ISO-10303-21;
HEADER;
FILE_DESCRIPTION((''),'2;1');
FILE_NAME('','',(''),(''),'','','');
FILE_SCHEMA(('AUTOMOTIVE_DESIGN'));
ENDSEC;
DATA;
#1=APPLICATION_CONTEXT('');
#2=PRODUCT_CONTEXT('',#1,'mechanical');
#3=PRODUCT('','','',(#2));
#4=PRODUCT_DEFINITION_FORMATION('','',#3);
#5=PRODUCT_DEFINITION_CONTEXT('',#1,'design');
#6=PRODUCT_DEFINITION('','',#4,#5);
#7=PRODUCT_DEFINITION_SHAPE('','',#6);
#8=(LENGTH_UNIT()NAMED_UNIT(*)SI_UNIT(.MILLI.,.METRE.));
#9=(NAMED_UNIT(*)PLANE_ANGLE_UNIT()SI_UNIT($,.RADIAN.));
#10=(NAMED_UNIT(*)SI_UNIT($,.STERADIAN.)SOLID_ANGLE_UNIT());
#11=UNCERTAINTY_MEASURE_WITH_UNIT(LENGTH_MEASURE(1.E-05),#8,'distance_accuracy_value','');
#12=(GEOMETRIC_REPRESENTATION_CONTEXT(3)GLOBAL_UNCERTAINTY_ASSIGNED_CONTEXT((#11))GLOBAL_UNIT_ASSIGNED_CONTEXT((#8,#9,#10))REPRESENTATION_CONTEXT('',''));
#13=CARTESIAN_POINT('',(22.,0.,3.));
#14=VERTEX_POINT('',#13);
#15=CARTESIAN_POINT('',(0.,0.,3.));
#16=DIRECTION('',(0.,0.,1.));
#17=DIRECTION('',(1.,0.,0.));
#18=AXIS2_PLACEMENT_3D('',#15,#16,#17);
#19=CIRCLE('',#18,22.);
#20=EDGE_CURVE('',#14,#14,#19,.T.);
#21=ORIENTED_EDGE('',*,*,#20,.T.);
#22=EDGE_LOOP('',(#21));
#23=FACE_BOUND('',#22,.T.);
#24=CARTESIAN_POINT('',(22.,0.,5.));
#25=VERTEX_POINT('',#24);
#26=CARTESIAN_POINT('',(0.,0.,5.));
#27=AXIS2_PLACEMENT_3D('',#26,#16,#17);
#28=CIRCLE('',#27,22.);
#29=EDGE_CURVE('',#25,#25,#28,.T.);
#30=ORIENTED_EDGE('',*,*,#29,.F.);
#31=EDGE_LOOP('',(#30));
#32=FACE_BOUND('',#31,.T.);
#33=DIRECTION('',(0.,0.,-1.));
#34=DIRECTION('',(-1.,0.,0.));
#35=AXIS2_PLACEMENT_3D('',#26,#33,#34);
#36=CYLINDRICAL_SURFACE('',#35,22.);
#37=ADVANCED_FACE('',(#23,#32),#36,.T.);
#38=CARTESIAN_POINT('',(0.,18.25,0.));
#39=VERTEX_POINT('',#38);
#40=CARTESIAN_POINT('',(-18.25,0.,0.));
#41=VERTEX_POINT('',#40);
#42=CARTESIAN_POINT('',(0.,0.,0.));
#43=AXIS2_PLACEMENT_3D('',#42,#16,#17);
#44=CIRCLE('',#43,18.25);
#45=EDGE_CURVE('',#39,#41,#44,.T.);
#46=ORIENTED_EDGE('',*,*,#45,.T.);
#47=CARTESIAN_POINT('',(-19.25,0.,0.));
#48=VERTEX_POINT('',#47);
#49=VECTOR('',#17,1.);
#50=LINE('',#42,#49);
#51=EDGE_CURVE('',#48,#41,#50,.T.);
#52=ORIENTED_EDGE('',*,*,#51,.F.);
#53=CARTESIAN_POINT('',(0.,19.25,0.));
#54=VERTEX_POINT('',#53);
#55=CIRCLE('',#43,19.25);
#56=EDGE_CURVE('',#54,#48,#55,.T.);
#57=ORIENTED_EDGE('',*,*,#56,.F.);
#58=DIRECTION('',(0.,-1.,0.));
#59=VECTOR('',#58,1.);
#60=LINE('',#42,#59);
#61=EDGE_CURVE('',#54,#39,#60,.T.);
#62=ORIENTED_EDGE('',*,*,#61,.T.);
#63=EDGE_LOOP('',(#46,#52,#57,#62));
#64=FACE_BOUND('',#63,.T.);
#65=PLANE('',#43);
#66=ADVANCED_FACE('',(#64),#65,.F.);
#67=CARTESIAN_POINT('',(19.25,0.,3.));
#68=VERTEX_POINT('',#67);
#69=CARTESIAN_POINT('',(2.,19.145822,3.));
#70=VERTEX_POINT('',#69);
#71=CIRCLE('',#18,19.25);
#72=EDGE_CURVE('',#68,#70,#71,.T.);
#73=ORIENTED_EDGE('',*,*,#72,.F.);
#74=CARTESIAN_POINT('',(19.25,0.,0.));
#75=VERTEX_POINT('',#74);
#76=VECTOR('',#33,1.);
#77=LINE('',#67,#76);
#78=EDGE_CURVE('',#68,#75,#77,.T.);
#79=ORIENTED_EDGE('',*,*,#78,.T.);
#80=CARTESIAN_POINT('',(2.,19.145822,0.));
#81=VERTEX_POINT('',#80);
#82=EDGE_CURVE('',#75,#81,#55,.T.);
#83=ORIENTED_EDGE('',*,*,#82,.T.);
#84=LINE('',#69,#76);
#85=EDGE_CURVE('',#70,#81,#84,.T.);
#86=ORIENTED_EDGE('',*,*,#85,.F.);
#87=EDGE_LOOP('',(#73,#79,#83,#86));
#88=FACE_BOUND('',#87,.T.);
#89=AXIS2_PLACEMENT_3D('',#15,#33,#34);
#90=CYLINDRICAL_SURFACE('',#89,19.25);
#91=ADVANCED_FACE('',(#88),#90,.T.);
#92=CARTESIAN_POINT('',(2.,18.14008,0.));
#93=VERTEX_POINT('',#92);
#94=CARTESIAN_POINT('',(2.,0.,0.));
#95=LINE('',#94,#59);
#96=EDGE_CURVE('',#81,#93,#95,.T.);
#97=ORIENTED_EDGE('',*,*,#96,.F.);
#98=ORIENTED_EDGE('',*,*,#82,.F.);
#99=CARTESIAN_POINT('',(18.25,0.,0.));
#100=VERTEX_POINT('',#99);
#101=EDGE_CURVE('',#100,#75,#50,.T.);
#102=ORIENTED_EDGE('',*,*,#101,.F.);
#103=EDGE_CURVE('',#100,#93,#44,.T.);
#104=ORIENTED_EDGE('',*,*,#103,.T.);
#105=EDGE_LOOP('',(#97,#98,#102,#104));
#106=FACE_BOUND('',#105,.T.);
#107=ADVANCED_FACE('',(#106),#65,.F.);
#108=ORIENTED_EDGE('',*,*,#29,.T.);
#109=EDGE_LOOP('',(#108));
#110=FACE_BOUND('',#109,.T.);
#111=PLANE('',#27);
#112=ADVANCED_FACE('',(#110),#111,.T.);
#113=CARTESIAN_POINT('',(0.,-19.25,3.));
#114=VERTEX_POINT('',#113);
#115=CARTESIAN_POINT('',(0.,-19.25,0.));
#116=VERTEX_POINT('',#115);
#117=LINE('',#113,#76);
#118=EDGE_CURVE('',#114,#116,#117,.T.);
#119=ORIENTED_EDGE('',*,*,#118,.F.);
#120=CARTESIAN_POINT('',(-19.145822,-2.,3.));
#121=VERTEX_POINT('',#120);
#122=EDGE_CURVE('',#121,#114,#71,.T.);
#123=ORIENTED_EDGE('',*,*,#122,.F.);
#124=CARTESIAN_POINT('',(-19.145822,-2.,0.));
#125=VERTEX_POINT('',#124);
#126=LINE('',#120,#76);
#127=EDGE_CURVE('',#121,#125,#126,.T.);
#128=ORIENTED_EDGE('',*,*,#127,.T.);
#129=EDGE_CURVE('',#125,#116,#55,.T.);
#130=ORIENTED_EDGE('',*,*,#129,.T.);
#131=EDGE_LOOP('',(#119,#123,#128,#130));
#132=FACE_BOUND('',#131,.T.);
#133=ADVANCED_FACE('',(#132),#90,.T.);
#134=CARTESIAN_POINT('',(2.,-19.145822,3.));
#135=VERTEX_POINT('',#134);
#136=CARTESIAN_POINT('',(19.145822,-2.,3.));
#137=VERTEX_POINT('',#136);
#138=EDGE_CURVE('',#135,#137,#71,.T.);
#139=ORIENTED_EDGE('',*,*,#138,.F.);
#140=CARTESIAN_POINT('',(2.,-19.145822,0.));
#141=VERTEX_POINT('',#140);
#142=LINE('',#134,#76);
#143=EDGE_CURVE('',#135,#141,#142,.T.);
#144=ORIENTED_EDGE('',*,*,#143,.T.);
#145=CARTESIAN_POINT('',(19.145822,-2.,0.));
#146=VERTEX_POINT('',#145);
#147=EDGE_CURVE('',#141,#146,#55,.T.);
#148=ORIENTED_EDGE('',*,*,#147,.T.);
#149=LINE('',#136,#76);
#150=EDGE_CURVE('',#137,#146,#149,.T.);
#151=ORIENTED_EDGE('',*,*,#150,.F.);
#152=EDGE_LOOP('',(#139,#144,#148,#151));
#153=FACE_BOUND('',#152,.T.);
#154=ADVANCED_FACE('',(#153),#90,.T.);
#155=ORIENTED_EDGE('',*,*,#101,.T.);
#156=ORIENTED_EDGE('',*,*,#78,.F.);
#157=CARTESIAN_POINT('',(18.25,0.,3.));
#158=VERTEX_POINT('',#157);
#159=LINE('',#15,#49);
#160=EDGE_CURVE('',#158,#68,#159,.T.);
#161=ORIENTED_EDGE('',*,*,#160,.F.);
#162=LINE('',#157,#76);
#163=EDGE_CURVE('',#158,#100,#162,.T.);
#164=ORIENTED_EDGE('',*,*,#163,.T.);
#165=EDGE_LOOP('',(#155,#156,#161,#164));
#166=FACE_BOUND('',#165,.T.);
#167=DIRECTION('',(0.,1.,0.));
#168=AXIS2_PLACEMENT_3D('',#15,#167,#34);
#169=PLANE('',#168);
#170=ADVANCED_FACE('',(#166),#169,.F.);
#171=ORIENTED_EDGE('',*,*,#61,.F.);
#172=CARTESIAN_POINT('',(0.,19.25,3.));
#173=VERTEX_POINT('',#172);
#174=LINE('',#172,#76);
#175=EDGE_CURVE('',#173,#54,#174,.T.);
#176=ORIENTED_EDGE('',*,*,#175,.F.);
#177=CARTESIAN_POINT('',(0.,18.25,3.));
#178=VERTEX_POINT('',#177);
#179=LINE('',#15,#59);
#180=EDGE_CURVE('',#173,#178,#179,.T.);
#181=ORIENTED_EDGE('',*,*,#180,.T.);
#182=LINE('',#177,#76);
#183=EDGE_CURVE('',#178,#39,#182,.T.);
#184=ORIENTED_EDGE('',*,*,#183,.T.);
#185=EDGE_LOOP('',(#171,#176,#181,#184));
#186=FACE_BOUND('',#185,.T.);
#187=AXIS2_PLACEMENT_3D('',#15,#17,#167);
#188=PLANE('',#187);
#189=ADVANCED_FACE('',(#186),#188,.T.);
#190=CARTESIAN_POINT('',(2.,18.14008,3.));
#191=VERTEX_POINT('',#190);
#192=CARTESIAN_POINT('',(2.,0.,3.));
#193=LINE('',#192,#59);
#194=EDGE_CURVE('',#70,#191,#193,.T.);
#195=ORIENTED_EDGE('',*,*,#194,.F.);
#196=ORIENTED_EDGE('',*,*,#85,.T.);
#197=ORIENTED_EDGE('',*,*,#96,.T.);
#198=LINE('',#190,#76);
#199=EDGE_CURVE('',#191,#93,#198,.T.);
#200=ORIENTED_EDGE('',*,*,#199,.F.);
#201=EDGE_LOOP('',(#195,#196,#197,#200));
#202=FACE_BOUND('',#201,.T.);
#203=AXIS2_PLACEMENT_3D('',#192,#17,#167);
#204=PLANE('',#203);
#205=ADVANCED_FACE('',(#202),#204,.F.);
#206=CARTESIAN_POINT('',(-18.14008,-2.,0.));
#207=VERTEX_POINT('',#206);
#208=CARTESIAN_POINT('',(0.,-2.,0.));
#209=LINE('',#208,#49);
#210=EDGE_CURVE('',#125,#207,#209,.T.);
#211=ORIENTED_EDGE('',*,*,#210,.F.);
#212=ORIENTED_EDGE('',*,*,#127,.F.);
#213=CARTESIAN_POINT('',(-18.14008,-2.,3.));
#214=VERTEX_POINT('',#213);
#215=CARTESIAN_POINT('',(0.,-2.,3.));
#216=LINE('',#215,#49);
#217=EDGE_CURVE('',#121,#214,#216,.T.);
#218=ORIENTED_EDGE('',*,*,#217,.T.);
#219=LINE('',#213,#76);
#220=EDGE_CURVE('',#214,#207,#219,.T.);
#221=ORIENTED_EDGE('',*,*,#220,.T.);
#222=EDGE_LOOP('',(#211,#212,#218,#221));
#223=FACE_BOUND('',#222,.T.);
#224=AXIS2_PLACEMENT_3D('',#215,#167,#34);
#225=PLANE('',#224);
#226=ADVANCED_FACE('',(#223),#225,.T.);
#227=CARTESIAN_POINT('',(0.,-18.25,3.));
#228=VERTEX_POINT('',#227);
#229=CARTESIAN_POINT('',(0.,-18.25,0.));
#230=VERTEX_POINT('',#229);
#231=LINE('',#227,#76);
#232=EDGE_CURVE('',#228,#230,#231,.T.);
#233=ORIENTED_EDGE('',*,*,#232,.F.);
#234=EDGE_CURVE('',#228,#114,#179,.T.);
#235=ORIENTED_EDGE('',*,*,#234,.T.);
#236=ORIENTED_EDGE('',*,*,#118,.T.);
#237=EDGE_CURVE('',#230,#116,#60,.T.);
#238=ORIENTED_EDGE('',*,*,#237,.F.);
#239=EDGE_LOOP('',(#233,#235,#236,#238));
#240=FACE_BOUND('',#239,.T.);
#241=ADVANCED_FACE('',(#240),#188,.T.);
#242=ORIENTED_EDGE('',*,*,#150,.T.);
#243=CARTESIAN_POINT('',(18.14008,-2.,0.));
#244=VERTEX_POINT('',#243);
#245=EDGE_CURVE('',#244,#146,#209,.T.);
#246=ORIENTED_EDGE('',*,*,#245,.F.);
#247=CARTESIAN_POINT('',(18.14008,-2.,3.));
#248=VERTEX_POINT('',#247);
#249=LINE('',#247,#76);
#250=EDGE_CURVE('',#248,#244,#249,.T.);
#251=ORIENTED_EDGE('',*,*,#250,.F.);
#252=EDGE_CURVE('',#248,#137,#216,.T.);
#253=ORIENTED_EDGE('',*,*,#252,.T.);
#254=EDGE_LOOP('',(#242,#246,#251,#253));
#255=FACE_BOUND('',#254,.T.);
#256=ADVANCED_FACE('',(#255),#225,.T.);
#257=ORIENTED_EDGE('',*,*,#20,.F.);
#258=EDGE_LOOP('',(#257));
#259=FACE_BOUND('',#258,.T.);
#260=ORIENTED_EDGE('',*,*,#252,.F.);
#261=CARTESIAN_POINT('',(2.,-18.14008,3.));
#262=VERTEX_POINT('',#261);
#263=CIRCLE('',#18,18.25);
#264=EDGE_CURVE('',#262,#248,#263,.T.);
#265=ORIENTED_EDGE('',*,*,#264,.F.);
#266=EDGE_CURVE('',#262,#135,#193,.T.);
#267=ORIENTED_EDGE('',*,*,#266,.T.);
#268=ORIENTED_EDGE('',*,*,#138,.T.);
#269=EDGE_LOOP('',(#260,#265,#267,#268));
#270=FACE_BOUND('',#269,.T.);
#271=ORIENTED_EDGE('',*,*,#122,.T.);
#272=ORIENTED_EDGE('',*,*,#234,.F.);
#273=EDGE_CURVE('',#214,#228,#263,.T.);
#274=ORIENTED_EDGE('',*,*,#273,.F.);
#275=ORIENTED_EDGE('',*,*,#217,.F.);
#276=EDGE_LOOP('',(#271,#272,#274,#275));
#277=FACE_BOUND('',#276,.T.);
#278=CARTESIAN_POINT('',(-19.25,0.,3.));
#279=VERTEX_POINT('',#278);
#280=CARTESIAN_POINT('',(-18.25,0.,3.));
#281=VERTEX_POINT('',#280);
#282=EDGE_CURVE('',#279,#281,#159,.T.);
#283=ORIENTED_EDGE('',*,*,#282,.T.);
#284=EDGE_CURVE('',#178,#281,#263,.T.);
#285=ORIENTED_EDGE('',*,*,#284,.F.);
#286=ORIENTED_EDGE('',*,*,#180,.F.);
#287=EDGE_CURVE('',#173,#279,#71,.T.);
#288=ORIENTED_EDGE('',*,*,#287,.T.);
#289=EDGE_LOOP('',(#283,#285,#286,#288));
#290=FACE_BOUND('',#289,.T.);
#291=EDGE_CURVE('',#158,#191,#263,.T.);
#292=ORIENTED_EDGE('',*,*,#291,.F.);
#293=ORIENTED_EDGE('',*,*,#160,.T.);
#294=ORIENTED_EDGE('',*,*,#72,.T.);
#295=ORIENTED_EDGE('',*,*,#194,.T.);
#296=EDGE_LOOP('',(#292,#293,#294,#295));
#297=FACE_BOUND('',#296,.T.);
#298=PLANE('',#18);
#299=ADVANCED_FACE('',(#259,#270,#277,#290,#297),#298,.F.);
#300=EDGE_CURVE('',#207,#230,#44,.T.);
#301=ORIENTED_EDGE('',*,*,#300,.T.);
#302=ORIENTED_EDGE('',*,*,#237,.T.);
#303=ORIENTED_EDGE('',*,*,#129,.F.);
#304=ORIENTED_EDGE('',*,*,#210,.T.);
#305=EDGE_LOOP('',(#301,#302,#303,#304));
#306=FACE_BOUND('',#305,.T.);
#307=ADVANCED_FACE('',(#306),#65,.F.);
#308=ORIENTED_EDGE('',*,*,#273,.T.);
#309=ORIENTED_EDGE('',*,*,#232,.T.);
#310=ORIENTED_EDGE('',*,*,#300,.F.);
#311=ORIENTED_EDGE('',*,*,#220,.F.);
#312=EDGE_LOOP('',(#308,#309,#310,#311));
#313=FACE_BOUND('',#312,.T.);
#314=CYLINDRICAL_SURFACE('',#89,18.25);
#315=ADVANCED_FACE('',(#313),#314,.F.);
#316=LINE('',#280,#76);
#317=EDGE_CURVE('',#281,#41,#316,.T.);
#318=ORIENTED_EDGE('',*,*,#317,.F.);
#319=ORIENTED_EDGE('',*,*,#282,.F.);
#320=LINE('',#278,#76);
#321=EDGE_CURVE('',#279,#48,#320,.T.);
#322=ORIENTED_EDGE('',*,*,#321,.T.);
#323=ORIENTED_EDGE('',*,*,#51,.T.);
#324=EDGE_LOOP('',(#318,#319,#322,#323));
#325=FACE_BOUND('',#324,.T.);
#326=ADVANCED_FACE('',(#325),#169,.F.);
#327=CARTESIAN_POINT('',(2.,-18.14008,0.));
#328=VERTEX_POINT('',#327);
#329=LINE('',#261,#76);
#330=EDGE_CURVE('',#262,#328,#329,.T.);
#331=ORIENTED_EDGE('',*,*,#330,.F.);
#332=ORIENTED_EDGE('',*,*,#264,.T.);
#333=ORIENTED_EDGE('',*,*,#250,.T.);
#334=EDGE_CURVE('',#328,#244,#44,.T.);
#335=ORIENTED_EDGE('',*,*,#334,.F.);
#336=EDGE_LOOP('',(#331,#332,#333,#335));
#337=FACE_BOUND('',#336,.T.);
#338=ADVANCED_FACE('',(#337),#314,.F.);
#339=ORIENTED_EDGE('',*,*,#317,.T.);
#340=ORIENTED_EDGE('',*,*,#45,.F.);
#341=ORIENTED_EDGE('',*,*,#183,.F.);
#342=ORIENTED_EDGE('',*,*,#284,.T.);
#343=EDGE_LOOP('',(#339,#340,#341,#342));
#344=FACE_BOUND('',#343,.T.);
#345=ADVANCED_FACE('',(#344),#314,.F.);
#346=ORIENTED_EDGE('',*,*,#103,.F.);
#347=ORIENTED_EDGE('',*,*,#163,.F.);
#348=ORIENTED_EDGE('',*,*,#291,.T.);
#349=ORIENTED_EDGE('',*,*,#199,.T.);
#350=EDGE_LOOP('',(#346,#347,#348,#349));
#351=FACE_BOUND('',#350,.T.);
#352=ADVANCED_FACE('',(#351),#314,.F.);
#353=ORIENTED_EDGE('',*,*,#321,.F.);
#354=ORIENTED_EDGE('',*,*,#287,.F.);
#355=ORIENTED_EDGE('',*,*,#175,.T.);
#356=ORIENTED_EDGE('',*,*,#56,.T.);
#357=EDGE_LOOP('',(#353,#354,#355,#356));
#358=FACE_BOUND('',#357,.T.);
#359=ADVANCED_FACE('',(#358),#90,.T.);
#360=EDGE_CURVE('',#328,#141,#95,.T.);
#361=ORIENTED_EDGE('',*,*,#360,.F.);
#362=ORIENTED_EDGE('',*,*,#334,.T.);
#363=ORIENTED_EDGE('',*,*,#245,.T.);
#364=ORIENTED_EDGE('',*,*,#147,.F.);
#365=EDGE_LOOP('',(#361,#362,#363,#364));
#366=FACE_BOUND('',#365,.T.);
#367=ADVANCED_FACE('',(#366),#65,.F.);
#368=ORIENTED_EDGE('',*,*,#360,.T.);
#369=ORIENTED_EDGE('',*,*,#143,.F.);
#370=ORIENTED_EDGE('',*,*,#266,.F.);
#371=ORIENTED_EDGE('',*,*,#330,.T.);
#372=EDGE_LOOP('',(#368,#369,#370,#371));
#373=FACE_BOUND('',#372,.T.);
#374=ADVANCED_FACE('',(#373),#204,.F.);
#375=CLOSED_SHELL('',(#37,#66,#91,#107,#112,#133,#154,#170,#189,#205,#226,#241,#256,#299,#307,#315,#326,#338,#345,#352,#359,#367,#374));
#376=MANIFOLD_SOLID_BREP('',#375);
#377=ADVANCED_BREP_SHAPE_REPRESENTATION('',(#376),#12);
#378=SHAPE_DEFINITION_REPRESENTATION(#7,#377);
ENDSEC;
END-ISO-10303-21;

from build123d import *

# Parameters (mm, degrees)
SCHIZZO1_R                   = 19.25
SCHIZZO1_R_2                 = 18.25
ESTRUSIONE_ESTRUSIONE1_DEPTH = 3
SCHIZZO2_R                   = 22
ESTRUSIONE_ESTRUSIONE2_DEPTH = 2
TAGLIO_ESTRUSIONE1_DEPTH     = 3


with BuildPart() as part:
    # Schizzo1 → Estrusione-Estrusione1 (new body)
    with BuildSketch(Plane.XY):
        Circle(SCHIZZO1_R)
        Circle(SCHIZZO1_R_2, mode=Mode.SUBTRACT)
    extrude(amount=ESTRUSIONE_ESTRUSIONE1_DEPTH)

    # Schizzo2 → Estrusione-Estrusione2 (add)
    with BuildSketch(Plane.XY.offset(3)):
        Circle(SCHIZZO2_R)
    extrude(amount=ESTRUSIONE_ESTRUSIONE2_DEPTH)

    # Schizzo3 → Taglio-Estrusione1 (cut)
    with BuildSketch(Plane(origin=(0, 0, 0), x_dir=(-1, 0, 0), z_dir=(0, 0, -1))):
        with BuildLine():
            Line((0, 18.25), (0, 19.25))
            ThreePointArc((0, 19.25), (-1.001355713, 19.223937857), (-2, 19.145821999))
            Line((-2, 19.145821999), (-2, 18.140079934))
            ThreePointArc((-2, 18.140079934), (-1.001509164, 18.222499263), (0, 18.25))
        make_face()
        with BuildLine():
            Line((-18.25, 0), (-19.25, 0))
            ThreePointArc((-19.25, 0), (-19.223937857, -1.001355713), (-19.145821999, -2))
            Line((-19.145821999, -2), (-18.140079934, -2))
            ThreePointArc((-18.140079934, -2), (-18.222499263, -1.001509164), (-18.25, 0))
        make_face()
        with BuildLine():
            ThreePointArc((-2, -19.145821999), (-1.001355713, -19.223937857), (0, -19.25))
            Line((0, -19.25), (0, -18.25))
            ThreePointArc((0, -18.25), (-1.001509164, -18.222499263), (-2, -18.140079934))
            Line((-2, -18.140079934), (-2, -19.145821999))
        make_face()
        with BuildLine():
            ThreePointArc((19.145821999, -2), (19.223937857, -1.001355713), (19.25, 0))
            Line((19.25, 0), (18.25, 0))
            ThreePointArc((18.25, 0), (18.222499263, -1.001509164), (18.140079934, -2))
            Line((18.140079934, -2), (19.145821999, -2))
        make_face()
    extrude(amount=-TAGLIO_ESTRUSIONE1_DEPTH, mode=Mode.SUBTRACT)


solid = part.part
